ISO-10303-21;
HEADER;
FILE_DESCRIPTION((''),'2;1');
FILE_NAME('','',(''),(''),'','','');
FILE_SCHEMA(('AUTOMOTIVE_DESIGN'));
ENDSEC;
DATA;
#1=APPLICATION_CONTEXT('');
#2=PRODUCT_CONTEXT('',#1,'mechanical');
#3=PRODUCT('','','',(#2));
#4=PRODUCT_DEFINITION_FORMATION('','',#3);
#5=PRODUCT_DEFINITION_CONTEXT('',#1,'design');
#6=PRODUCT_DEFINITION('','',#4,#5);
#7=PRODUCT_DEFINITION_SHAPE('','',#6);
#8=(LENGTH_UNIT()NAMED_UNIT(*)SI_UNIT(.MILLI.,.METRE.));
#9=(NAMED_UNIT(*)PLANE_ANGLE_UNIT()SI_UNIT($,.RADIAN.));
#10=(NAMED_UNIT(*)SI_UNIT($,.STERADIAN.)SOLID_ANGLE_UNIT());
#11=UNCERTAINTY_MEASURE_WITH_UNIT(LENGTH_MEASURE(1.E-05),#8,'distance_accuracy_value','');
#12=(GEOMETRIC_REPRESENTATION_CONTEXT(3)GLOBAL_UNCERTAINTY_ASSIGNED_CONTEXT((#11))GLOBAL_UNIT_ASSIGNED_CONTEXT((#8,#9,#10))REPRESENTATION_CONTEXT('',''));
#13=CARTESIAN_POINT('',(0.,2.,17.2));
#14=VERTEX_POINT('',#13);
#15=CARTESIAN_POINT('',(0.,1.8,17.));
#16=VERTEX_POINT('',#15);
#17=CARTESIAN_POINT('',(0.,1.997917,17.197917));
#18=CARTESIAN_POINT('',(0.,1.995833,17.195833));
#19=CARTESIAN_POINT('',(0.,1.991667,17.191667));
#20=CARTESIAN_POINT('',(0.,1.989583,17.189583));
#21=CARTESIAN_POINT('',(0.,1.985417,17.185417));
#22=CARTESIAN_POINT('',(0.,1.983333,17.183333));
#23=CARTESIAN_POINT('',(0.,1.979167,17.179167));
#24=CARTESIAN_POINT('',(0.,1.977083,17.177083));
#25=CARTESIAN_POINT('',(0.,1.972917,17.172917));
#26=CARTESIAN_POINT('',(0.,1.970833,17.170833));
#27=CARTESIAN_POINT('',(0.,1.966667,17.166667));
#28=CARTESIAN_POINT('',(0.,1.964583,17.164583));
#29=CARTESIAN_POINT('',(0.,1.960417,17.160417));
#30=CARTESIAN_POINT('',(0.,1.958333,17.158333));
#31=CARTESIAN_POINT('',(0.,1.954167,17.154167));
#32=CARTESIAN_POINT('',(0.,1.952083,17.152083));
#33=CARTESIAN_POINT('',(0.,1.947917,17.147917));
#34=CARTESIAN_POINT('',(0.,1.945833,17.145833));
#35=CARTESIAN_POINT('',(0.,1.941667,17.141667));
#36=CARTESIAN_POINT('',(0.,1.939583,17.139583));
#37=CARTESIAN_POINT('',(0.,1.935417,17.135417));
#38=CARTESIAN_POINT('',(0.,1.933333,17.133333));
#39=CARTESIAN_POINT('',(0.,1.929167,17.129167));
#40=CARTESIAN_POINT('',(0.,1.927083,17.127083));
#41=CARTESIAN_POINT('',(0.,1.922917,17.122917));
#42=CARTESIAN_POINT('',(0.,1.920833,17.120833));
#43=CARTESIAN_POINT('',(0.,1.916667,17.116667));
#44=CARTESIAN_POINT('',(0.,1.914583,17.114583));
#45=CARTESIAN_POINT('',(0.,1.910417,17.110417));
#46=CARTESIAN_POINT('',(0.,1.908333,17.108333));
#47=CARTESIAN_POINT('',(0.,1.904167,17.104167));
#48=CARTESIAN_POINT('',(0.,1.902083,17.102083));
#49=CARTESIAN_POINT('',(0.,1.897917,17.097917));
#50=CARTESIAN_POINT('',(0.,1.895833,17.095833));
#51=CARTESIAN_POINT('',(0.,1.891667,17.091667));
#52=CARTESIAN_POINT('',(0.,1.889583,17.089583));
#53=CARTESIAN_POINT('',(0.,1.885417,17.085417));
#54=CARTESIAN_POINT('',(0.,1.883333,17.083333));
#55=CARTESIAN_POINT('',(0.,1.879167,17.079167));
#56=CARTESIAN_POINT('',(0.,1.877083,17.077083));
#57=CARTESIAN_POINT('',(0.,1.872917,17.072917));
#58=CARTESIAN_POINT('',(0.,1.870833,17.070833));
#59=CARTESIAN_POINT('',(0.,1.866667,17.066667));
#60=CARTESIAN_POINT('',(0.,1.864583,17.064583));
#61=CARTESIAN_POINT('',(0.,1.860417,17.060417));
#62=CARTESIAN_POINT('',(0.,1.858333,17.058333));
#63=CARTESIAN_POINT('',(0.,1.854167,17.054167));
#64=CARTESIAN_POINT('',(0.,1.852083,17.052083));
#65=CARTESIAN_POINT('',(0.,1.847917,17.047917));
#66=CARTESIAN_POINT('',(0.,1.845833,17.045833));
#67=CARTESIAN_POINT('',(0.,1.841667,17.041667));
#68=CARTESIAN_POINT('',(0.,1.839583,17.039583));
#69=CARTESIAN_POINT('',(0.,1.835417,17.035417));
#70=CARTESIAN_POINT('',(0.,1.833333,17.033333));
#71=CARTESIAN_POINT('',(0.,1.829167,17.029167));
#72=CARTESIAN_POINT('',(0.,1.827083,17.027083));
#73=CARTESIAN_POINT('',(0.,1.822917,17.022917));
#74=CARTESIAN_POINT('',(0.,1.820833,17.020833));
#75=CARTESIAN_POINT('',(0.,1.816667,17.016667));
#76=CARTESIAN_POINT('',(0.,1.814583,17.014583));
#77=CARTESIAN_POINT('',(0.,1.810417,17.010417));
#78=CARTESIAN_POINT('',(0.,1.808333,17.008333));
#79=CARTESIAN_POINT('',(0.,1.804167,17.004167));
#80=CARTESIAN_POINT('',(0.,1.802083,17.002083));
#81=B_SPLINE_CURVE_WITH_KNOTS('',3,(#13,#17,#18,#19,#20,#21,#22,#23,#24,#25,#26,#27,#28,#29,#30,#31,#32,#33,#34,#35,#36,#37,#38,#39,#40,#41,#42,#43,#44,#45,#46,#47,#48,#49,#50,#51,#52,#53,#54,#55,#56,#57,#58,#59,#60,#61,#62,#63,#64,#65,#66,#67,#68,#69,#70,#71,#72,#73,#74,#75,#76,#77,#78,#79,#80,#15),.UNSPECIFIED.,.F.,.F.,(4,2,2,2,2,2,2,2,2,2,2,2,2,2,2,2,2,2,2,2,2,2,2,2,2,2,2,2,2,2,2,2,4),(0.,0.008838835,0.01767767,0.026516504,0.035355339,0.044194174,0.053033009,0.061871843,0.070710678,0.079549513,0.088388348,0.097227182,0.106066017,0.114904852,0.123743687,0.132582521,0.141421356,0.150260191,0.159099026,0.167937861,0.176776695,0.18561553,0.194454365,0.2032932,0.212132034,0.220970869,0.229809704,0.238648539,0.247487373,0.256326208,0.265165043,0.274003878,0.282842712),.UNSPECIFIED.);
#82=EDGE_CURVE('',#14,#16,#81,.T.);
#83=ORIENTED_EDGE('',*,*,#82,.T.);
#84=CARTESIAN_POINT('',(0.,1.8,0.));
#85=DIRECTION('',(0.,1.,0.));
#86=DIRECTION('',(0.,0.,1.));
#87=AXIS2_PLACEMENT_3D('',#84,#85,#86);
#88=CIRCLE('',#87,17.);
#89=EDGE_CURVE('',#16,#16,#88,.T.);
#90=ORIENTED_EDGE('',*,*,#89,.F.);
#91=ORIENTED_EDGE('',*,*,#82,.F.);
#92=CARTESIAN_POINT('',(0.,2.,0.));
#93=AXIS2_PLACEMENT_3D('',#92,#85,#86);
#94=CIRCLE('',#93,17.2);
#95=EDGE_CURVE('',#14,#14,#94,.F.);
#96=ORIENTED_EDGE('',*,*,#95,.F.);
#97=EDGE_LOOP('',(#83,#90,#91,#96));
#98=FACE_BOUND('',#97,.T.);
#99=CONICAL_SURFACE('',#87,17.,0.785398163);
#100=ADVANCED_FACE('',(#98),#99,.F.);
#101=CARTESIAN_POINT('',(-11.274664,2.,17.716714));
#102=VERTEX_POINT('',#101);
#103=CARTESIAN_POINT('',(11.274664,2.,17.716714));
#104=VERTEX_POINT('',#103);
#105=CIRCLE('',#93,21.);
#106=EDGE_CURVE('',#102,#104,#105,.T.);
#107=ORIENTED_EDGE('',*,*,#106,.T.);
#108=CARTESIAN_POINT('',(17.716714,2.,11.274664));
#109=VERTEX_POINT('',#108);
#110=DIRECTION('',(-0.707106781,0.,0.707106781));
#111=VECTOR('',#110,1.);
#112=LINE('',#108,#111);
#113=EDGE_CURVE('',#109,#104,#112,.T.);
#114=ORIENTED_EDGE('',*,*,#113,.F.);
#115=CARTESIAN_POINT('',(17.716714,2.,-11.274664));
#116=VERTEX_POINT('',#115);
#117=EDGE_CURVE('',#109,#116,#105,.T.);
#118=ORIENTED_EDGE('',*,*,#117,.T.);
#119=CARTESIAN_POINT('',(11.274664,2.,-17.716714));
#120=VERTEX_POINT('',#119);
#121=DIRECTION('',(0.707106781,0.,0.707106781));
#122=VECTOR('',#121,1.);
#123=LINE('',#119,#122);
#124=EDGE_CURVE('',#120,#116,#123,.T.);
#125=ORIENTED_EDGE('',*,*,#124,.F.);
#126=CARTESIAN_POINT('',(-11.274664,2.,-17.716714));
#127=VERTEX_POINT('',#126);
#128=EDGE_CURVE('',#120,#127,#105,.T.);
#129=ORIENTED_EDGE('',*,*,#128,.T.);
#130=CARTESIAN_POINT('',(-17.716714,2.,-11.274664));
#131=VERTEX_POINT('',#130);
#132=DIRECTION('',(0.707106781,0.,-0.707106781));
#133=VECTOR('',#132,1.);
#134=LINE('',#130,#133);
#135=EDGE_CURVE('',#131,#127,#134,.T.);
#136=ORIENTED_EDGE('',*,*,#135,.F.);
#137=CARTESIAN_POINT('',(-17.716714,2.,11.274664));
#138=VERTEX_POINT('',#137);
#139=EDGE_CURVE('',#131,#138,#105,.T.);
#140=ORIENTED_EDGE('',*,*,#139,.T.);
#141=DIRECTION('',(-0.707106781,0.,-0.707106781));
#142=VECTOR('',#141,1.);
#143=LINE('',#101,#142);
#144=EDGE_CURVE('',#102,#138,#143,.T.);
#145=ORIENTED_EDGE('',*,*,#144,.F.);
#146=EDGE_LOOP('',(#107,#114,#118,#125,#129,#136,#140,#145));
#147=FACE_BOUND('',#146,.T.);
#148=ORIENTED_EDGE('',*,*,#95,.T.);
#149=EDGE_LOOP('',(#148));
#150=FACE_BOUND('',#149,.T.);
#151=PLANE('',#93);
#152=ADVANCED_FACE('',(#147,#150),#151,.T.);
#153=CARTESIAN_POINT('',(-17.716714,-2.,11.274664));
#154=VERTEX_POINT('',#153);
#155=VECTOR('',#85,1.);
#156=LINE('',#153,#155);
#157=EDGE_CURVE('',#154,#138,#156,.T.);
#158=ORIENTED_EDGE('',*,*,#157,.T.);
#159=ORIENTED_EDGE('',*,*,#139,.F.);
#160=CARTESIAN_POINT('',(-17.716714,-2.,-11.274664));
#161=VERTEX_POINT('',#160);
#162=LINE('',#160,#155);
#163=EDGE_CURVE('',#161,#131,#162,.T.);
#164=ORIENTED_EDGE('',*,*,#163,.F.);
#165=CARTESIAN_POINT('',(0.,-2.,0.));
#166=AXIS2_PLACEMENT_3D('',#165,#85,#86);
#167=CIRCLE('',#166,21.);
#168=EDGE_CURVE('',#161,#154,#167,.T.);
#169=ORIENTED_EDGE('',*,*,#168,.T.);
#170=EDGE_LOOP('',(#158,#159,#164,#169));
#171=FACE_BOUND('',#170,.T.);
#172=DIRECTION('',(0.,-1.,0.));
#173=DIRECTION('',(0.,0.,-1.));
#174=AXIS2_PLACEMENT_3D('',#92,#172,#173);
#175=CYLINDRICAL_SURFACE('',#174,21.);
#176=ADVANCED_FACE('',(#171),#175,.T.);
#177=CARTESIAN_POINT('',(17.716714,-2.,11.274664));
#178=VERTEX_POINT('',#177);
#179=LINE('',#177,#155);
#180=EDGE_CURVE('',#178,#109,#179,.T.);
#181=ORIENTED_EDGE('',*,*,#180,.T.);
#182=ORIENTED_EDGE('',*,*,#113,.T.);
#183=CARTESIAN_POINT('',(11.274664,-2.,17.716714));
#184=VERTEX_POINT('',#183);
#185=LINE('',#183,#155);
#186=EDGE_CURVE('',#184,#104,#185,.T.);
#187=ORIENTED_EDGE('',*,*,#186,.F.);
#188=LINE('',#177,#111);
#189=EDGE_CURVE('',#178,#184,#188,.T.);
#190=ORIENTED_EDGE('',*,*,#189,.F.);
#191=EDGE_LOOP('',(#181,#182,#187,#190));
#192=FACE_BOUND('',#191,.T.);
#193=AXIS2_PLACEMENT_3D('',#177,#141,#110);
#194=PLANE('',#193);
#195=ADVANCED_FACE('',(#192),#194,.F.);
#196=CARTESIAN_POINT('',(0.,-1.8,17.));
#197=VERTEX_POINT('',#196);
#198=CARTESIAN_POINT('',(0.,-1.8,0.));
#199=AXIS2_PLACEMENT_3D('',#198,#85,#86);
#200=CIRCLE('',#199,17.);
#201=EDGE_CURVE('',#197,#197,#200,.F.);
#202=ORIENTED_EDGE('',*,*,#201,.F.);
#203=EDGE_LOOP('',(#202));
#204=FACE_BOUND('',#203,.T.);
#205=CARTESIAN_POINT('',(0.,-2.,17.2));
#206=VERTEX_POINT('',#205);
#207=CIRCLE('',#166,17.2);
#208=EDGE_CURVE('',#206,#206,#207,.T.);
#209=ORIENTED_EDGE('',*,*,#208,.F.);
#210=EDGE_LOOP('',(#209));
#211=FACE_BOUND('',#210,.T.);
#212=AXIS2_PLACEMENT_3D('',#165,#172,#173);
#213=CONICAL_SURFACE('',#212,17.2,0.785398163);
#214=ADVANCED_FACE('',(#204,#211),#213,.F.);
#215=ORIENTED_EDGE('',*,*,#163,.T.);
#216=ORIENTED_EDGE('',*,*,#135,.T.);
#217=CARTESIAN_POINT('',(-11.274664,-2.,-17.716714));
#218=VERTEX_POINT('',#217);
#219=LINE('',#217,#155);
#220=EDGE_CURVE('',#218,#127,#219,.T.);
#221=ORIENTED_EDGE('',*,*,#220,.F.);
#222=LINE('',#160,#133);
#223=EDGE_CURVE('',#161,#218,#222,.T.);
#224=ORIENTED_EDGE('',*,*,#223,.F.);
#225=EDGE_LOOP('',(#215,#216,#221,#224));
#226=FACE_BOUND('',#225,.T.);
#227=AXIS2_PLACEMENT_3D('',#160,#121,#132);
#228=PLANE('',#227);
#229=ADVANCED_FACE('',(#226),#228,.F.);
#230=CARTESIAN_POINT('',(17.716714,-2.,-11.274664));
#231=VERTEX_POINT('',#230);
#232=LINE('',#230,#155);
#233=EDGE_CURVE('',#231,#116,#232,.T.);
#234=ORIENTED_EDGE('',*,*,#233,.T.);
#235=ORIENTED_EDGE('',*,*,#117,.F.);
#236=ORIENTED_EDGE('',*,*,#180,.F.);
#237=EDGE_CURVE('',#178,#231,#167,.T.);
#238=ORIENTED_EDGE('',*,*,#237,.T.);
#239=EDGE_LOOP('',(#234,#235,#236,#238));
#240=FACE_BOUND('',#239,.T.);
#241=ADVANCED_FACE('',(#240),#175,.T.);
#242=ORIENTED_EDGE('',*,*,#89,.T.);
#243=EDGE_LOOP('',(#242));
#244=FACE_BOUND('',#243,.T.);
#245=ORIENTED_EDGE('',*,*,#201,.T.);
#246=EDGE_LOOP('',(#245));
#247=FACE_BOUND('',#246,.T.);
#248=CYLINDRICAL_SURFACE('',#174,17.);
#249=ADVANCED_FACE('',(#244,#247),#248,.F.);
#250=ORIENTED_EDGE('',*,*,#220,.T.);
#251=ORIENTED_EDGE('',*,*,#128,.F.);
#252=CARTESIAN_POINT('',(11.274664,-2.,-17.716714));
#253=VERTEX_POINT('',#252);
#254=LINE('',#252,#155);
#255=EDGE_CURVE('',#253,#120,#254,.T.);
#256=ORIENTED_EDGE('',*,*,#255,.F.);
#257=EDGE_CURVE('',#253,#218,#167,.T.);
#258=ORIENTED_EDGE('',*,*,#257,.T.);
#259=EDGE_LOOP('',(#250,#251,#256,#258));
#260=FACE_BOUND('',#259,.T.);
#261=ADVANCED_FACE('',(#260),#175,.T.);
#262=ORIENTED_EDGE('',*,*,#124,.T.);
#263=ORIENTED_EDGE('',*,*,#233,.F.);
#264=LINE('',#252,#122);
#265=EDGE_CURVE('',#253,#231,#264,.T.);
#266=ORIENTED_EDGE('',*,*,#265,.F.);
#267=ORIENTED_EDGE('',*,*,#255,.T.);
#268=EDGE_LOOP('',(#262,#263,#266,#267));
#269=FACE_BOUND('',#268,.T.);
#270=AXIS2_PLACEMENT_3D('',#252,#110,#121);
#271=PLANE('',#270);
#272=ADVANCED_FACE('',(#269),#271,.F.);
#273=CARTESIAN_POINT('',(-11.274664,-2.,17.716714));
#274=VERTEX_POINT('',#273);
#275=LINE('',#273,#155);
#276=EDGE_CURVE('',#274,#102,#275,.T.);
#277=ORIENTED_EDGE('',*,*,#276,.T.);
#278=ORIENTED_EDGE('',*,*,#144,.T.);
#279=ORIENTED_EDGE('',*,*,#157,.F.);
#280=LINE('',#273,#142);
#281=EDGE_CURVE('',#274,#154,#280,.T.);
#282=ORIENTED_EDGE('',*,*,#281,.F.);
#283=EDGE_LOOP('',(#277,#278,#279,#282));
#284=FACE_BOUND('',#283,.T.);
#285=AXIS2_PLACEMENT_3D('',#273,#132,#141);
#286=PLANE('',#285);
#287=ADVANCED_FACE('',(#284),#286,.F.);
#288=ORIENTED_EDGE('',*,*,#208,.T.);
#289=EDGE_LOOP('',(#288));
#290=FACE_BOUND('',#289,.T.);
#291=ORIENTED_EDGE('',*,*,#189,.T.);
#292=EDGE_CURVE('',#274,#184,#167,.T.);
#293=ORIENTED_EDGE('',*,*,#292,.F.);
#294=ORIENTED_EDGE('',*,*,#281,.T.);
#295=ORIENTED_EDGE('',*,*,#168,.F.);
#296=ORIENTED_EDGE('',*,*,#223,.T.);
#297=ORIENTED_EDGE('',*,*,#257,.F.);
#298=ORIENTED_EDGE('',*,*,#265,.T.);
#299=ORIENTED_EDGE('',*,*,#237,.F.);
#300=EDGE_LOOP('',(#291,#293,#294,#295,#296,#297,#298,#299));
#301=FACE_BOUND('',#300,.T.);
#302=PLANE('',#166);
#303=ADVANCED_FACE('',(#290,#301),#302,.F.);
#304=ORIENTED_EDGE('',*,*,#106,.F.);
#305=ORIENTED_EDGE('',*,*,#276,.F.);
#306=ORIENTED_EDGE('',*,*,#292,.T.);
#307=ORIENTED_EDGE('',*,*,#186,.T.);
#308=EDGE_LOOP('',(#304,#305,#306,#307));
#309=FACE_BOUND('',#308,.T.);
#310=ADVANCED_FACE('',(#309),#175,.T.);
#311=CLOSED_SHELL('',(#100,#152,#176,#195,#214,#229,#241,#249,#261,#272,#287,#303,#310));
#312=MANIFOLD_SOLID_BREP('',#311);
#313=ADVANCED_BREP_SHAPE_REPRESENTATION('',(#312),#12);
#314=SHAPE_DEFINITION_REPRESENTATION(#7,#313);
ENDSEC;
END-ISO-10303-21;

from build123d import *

# Parameters (mm, degrees)
BASES_R            = 21
BASES_R_2          = 17
BASE_DEPTH         = 2
FLATCUT_DEPTH      = 30.765752132
FCCIRPATTERN_COUNT = 4
BASECHAMFER_SIZE   = 0.2


with BuildPart() as part:
    # BaseS → Base (new, symmetric)
    with BuildSketch(Plane(origin=(0, 0, 0), x_dir=(1, 0, 0), z_dir=(0, 1, 0))):
        Circle(BASES_R)
        Circle(BASES_R_2, mode=Mode.SUBTRACT)
    extrude(amount=BASE_DEPTH, both=True)

    # FlatCutS → FlatCut (cut, symmetric)
    with BuildSketch(Plane(origin=(0, 0, 0), x_dir=(1, 0, 0), z_dir=(0, 1, 0))):
        with BuildLine():
            Line((11.274664333, 17.716713696), (17.716713696, 11.274664333))
            ThreePointArc((17.716713696, 11.274664333), (14.849242405, 14.849242405), (11.274664333, 17.716713696))
        make_face()
    flatcut = extrude(amount=FLATCUT_DEPTH, both=True, mode=Mode.SUBTRACT)

    # FCCirPattern: FlatCut ×4 about axis
    fccirpattern_axis = Axis((0, 1.1, 0), (0, -1, 0))
    for i in range(1, FCCIRPATTERN_COUNT):
        add(flatcut.rotate(fccirpattern_axis, i * 360 / FCCIRPATTERN_COUNT), mode=Mode.SUBTRACT)

    # BaseChamfer
    basechamfer_edges = [part.edges().sort_by_distance(p)[0] for p in [
        (-17, -2, 0),
        (-17, 2, 0),
    ]]
    chamfer(basechamfer_edges, length=BASECHAMFER_SIZE)


solid = part.part
